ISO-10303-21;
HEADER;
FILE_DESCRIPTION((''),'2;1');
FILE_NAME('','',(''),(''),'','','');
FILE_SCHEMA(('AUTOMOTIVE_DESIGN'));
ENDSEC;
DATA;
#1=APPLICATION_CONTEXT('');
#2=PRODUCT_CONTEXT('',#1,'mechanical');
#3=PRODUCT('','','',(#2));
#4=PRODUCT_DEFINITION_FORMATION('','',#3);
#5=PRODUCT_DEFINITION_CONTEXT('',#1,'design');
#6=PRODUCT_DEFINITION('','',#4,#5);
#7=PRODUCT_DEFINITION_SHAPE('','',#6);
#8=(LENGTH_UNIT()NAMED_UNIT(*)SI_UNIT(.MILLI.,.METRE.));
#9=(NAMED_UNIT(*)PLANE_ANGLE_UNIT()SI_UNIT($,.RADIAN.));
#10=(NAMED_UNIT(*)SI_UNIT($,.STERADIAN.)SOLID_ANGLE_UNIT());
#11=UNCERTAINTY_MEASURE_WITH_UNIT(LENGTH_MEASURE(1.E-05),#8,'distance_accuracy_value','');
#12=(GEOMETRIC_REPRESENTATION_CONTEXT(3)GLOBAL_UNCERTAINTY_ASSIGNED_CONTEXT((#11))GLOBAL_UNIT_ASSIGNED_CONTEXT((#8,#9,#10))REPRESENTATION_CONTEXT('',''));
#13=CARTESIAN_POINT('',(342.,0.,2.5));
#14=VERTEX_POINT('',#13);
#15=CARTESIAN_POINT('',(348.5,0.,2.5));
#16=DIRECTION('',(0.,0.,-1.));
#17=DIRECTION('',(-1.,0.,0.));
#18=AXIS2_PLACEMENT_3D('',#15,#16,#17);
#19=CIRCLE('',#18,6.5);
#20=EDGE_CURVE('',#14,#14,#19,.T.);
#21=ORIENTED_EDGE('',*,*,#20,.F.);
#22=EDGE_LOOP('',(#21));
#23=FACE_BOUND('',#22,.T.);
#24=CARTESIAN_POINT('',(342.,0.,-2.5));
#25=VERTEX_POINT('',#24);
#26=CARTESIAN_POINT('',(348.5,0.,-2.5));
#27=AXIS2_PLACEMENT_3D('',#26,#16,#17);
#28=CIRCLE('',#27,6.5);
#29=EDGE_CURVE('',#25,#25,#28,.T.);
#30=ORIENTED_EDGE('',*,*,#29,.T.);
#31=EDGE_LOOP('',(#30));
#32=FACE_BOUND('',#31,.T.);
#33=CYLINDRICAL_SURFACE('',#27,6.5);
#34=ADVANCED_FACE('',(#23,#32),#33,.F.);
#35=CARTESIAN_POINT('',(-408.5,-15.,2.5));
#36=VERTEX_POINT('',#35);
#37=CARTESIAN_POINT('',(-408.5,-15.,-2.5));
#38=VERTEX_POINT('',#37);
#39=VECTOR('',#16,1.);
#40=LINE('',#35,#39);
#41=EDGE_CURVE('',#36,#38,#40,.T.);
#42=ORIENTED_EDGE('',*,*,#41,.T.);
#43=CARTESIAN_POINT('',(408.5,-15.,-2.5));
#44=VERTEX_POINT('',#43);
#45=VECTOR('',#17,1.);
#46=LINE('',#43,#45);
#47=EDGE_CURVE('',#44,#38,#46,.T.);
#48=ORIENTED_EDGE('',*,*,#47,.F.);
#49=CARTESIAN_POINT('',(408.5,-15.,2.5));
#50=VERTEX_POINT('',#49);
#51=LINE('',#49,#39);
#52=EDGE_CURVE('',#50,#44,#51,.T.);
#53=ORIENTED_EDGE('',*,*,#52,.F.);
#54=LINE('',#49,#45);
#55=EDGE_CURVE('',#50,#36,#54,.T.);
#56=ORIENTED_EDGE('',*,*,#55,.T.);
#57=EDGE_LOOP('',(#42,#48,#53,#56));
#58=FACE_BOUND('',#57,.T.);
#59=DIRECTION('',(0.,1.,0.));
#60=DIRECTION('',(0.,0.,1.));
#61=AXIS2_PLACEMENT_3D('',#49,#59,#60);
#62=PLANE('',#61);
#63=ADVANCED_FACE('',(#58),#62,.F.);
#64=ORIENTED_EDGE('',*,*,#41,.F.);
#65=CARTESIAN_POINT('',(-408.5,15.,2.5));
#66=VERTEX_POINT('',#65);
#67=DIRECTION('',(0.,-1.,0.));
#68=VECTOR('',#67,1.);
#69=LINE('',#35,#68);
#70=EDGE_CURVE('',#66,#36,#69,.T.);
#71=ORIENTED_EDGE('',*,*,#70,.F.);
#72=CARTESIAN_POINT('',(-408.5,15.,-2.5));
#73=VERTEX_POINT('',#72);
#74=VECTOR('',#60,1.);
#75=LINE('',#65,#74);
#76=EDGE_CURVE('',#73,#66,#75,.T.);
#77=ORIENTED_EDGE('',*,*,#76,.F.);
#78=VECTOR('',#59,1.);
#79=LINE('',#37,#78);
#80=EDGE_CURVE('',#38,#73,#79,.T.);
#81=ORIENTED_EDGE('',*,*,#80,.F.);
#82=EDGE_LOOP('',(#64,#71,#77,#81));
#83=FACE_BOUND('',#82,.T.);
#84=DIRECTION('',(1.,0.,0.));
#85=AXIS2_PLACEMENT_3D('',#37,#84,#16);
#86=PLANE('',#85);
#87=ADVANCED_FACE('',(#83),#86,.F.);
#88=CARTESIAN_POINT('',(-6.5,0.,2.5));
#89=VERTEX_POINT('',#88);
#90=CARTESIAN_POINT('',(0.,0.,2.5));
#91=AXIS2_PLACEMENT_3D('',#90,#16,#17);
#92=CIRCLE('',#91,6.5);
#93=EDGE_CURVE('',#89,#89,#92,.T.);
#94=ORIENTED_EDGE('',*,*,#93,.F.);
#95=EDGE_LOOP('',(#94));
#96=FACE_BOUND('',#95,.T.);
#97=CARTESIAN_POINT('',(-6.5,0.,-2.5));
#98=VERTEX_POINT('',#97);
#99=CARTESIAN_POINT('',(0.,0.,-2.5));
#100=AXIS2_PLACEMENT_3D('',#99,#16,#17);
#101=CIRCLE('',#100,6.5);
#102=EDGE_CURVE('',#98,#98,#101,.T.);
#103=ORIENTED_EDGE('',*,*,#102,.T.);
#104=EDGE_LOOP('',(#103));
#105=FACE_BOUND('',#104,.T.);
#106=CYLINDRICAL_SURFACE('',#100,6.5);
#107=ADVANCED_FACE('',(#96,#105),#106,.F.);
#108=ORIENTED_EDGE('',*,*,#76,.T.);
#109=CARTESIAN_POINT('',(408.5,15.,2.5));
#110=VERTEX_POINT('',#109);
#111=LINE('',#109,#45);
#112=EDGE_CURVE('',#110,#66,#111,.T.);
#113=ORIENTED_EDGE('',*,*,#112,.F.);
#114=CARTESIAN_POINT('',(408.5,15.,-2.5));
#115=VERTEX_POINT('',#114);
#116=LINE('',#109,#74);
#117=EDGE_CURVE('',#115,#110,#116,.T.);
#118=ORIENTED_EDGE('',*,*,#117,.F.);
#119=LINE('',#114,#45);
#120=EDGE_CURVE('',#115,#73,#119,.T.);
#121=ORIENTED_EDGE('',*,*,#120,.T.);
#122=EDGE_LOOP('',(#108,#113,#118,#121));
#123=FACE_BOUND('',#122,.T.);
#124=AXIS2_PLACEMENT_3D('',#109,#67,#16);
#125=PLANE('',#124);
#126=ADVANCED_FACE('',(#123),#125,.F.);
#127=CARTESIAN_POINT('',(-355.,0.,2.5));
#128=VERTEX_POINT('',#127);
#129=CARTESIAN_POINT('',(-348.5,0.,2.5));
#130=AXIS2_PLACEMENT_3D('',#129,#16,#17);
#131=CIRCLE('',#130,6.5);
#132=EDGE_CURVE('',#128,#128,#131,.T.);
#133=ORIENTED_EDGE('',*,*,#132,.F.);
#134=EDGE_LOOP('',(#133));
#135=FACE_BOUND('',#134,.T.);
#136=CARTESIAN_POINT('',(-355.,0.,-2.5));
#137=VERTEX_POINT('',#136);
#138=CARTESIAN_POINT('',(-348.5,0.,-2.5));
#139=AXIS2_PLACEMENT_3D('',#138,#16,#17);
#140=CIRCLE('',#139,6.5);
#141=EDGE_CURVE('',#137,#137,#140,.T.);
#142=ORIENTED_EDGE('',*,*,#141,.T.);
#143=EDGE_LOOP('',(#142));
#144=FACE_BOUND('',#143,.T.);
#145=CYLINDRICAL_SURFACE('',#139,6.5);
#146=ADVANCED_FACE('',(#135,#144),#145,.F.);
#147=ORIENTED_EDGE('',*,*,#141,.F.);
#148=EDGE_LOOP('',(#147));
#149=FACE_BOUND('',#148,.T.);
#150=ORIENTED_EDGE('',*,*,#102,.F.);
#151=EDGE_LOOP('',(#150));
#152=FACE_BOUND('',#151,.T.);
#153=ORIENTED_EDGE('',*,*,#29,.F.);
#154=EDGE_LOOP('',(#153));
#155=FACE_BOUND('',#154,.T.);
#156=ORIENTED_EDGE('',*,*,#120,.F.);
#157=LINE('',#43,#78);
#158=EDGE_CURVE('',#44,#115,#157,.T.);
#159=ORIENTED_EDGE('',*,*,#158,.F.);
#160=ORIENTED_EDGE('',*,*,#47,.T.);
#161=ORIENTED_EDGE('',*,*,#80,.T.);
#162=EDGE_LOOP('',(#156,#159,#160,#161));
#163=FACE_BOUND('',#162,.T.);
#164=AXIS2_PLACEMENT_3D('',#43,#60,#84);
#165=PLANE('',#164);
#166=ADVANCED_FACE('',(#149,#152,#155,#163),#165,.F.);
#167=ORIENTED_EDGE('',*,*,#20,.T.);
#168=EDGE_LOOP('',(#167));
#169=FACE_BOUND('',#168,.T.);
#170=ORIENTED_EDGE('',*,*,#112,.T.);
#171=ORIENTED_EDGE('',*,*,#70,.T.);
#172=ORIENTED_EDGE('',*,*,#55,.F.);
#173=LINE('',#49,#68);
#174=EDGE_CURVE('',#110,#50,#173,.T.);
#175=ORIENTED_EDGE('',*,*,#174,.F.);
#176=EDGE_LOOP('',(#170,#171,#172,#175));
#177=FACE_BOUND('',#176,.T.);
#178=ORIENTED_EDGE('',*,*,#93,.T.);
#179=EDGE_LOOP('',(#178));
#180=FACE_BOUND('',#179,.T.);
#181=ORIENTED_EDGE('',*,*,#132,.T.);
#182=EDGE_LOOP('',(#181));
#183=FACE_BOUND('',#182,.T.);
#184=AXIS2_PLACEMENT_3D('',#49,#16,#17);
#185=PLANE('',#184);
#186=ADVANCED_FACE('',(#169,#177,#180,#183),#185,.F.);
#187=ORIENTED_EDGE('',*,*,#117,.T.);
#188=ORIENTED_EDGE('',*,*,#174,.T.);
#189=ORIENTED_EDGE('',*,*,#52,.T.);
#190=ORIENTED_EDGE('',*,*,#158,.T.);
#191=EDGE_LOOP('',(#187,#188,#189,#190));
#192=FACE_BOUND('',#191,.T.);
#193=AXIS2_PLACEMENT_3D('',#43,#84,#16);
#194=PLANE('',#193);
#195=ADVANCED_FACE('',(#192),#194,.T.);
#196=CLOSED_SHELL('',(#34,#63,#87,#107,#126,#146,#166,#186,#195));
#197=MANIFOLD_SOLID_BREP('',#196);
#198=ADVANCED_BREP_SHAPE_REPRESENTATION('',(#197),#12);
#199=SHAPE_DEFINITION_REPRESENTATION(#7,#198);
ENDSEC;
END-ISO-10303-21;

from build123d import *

# Parameters (mm, degrees)
PLAT_W                          = 30
PLAT_H                          = 5
EL_MENT_M_CANO_SOUD_1_DEPTH     = 817
DIAM_TRE_DU_PER_AGE_13_0_13_1_D = 13
R_P_TITION_LIN_AIRE2_COUNT      = 3
R_P_TITION_LIN_AIRE2_PITCH      = 348.5


with BuildPart() as part:
    # plat → Elément mécano-soudé1 (new body)
    with BuildSketch(Plane.YZ.offset(-408.5)):
        Rectangle(PLAT_W, PLAT_H)
    extrude(amount=EL_MENT_M_CANO_SOUD_1_DEPTH)

    # Diamètre du perçage Ø13.0 (13)1 (through all)
    with Locations(Plane(origin=(0, 0, -2.5), x_dir=(-1, 0, 0), z_dir=(0, 0, -1))):
        with Locations((348.5, 0)):
            diam_tre_du_per_age_13_0_13_1 = Hole(DIAM_TRE_DU_PER_AGE_13_0_13_1_D / 2)

    # Répétition linéaire2: Diamètre du perçage Ø13.0 (13)1 ×3
    with Locations(*[(i * R_P_TITION_LIN_AIRE2_PITCH, 0, 0) for i in range(1, R_P_TITION_LIN_AIRE2_COUNT)]):
        add(diam_tre_du_per_age_13_0_13_1, mode=Mode.SUBTRACT)


solid = part.part
